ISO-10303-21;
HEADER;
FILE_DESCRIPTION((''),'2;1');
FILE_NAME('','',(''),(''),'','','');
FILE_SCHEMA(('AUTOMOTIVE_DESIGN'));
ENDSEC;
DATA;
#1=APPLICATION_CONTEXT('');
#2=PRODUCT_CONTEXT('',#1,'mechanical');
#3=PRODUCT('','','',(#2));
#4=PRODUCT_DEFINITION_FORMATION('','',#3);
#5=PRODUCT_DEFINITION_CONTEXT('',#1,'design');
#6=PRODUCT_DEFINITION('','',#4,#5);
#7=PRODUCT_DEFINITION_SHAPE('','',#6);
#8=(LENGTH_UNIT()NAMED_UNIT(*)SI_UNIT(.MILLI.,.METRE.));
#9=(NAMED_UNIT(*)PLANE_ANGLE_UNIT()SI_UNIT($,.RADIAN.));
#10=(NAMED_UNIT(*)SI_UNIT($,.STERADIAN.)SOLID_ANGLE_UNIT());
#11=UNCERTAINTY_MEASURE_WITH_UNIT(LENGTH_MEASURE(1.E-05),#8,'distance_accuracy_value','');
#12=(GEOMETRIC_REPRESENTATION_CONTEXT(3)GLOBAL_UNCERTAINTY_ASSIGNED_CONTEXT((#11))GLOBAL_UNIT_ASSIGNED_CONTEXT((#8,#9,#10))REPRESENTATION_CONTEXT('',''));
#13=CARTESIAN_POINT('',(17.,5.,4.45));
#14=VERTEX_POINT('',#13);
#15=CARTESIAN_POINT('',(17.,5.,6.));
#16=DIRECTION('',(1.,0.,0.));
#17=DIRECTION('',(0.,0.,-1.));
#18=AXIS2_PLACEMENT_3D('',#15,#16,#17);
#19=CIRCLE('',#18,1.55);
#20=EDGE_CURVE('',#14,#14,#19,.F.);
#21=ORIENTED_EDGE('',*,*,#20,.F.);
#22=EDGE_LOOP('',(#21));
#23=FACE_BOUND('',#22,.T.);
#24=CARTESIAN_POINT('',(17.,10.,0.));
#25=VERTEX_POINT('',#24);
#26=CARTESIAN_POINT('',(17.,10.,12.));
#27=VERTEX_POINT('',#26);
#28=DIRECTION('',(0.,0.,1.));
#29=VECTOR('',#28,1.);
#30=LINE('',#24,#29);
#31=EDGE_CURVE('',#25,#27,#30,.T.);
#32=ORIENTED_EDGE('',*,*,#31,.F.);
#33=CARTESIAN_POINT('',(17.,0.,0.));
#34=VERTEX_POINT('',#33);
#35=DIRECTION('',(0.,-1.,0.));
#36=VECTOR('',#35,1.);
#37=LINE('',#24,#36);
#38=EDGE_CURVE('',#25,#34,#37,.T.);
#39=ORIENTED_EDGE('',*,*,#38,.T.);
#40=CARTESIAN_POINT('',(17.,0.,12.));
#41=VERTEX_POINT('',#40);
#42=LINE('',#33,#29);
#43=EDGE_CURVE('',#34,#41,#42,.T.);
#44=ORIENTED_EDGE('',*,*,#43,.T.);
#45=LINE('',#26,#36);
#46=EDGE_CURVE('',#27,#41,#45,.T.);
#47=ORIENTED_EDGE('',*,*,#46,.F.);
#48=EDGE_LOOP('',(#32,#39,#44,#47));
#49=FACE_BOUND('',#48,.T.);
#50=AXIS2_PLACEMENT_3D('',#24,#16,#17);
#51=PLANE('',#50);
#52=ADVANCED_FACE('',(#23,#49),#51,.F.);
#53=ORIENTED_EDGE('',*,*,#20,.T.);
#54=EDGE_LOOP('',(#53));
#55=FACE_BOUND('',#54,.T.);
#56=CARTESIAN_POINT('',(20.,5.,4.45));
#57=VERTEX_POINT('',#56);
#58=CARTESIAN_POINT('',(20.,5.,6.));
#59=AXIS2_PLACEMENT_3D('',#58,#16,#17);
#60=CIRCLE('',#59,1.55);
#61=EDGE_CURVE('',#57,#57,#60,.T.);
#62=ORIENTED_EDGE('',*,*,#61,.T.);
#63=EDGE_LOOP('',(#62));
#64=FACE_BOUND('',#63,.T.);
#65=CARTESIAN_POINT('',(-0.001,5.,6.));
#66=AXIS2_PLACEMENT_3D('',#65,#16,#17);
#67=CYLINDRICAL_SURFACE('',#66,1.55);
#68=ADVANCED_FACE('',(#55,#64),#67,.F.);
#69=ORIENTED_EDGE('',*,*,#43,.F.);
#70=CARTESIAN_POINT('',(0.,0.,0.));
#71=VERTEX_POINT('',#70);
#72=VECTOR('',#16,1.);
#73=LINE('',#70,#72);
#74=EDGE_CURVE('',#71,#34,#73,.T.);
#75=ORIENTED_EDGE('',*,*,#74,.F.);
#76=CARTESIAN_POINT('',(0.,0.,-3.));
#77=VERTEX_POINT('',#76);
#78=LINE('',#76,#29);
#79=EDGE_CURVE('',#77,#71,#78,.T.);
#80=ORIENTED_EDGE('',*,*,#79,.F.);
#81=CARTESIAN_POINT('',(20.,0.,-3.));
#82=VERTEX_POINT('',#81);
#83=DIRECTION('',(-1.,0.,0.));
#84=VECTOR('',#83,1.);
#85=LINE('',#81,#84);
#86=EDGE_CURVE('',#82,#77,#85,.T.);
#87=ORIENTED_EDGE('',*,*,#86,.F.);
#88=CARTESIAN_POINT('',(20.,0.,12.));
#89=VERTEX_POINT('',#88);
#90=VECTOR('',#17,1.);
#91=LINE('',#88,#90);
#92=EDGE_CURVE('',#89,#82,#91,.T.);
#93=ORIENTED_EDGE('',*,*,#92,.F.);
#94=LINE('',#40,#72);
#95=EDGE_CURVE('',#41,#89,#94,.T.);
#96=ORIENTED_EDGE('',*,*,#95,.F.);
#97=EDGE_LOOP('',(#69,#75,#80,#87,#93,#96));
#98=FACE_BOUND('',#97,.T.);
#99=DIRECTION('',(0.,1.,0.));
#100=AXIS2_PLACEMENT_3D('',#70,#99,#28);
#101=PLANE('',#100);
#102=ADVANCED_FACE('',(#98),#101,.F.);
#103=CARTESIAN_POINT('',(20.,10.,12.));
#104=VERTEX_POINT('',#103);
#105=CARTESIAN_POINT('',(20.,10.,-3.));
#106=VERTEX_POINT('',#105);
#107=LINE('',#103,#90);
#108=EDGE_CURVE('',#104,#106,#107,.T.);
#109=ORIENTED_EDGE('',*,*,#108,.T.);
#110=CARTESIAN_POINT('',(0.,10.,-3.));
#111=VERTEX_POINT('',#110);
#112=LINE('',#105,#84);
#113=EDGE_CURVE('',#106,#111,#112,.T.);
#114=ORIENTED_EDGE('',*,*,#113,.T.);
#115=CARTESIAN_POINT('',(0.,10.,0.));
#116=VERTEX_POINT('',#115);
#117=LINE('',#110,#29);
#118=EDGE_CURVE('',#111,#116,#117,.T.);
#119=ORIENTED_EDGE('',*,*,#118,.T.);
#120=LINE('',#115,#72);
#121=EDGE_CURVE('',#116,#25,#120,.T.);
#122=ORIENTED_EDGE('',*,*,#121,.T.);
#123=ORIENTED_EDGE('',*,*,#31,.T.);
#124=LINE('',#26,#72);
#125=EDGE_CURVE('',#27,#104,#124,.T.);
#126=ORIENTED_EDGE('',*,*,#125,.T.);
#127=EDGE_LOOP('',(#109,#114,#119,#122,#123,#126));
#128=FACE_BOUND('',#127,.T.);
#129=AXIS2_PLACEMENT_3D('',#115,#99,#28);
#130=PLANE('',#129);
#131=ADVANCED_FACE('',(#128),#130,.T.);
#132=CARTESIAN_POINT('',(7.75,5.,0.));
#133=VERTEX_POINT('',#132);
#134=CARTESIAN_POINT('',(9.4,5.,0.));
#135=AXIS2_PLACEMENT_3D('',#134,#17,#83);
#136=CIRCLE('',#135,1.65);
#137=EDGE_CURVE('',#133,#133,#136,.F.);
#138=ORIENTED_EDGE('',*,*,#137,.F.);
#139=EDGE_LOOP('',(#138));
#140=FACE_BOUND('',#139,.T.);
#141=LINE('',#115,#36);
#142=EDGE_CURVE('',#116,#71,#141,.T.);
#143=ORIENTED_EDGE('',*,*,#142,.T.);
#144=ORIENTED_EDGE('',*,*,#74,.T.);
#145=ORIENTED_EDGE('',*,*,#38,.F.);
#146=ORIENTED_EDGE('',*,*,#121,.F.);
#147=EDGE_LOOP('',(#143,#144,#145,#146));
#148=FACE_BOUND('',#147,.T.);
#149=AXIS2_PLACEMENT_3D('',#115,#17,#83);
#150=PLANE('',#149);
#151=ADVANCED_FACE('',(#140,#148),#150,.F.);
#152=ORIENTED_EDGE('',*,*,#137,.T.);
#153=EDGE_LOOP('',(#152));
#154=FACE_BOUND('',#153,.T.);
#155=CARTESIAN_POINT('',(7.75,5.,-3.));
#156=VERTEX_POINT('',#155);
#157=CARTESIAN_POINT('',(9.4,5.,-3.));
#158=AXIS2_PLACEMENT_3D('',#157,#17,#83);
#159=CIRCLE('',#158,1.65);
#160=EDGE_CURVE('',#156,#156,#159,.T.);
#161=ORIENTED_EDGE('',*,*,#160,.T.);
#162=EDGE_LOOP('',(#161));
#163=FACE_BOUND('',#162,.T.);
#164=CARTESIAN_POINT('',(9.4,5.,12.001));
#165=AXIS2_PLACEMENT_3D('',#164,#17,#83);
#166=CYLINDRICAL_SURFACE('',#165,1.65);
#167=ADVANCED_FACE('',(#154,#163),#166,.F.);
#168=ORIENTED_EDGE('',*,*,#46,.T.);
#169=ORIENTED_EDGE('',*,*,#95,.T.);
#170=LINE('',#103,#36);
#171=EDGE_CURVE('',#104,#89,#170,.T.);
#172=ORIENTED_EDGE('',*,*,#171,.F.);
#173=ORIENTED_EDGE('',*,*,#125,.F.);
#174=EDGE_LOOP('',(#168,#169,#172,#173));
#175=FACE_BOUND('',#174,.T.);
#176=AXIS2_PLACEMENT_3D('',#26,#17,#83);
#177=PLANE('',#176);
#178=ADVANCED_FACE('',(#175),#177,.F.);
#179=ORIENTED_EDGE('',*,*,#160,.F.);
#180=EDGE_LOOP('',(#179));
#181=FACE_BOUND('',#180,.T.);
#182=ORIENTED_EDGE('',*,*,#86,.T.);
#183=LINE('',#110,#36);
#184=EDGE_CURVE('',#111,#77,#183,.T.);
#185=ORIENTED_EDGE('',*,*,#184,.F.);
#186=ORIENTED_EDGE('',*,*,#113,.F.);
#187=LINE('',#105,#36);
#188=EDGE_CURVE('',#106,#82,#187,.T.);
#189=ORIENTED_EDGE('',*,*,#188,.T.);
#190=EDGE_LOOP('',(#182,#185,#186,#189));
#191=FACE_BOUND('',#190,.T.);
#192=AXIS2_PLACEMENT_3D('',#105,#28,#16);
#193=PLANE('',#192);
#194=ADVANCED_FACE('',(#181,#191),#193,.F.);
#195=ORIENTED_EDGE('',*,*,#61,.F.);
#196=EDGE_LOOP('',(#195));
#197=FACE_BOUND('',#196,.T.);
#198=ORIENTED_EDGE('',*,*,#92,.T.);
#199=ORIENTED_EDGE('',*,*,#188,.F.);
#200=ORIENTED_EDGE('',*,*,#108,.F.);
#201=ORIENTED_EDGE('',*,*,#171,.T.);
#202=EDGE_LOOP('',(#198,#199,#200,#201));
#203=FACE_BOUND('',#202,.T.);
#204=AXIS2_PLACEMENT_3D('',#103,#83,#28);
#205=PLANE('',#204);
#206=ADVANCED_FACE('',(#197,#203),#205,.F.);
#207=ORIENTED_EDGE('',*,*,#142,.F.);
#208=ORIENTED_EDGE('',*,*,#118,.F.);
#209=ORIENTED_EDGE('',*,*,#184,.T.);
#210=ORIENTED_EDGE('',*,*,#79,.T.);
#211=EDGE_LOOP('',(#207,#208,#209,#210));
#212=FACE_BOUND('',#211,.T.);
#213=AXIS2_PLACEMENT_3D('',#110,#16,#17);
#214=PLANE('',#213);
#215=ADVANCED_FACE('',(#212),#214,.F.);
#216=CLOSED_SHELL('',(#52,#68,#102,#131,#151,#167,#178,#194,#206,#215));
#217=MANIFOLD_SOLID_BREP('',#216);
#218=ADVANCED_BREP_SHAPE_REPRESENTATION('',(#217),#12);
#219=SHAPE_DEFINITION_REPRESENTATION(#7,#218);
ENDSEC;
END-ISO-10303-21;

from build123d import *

# Parameters (mm, degrees)
BOSS_EXTRUDE1_DEPTH = 10
CUT_EXTRUDE1_REACH  = 22
SKETCH2_R           = 1.55
CUT_EXTRUDE2_REACH  = 17
SKETCH3_R           = 1.65


with BuildPart() as part:
    # Sketch1 → Boss-Extrude1 (new body)
    with BuildSketch(Plane(origin=(0, 0, 0), x_dir=(1, 0, 0), z_dir=(0, 1, 0))):
        Polygon((0, 0), (17, 0), (17, -12), (20, -12), (20, 3), (0, 3), align=None)
    extrude(amount=BOSS_EXTRUDE1_DEPTH)

    # Sketch2 → Cut-Extrude1 (cut, up to next)
    with BuildSketch(Plane(origin=(20, 0, 0), x_dir=(0, 0, -1), z_dir=(1, 0, 0)), mode=Mode.PRIVATE) as cut_extrude1_sk1:
        with Locations((-6, 5)):
            Circle(SKETCH2_R)
    cut_extrude1_tool1 = extrude(cut_extrude1_sk1.sketch, amount=-CUT_EXTRUDE1_REACH, mode=Mode.PRIVATE) & part.part
    add(cut_extrude1_tool1.solids().sort_by_distance((20, 5, 6))[0], mode=Mode.SUBTRACT)

    # Sketch3 → Cut-Extrude2 (cut, up to next)
    with BuildSketch(Plane(origin=(0, 0, -3), x_dir=(-1, 0, 0), z_dir=(0, 0, -1)), mode=Mode.PRIVATE) as cut_extrude2_sk1:
        with Locations((-9.4, 5)):
            Circle(SKETCH3_R)
    cut_extrude2_tool1 = extrude(cut_extrude2_sk1.sketch, amount=-CUT_EXTRUDE2_REACH, mode=Mode.PRIVATE) & part.part
    add(cut_extrude2_tool1.solids().sort_by_distance((9.4, 5, -3))[0], mode=Mode.SUBTRACT)


solid = part.part
